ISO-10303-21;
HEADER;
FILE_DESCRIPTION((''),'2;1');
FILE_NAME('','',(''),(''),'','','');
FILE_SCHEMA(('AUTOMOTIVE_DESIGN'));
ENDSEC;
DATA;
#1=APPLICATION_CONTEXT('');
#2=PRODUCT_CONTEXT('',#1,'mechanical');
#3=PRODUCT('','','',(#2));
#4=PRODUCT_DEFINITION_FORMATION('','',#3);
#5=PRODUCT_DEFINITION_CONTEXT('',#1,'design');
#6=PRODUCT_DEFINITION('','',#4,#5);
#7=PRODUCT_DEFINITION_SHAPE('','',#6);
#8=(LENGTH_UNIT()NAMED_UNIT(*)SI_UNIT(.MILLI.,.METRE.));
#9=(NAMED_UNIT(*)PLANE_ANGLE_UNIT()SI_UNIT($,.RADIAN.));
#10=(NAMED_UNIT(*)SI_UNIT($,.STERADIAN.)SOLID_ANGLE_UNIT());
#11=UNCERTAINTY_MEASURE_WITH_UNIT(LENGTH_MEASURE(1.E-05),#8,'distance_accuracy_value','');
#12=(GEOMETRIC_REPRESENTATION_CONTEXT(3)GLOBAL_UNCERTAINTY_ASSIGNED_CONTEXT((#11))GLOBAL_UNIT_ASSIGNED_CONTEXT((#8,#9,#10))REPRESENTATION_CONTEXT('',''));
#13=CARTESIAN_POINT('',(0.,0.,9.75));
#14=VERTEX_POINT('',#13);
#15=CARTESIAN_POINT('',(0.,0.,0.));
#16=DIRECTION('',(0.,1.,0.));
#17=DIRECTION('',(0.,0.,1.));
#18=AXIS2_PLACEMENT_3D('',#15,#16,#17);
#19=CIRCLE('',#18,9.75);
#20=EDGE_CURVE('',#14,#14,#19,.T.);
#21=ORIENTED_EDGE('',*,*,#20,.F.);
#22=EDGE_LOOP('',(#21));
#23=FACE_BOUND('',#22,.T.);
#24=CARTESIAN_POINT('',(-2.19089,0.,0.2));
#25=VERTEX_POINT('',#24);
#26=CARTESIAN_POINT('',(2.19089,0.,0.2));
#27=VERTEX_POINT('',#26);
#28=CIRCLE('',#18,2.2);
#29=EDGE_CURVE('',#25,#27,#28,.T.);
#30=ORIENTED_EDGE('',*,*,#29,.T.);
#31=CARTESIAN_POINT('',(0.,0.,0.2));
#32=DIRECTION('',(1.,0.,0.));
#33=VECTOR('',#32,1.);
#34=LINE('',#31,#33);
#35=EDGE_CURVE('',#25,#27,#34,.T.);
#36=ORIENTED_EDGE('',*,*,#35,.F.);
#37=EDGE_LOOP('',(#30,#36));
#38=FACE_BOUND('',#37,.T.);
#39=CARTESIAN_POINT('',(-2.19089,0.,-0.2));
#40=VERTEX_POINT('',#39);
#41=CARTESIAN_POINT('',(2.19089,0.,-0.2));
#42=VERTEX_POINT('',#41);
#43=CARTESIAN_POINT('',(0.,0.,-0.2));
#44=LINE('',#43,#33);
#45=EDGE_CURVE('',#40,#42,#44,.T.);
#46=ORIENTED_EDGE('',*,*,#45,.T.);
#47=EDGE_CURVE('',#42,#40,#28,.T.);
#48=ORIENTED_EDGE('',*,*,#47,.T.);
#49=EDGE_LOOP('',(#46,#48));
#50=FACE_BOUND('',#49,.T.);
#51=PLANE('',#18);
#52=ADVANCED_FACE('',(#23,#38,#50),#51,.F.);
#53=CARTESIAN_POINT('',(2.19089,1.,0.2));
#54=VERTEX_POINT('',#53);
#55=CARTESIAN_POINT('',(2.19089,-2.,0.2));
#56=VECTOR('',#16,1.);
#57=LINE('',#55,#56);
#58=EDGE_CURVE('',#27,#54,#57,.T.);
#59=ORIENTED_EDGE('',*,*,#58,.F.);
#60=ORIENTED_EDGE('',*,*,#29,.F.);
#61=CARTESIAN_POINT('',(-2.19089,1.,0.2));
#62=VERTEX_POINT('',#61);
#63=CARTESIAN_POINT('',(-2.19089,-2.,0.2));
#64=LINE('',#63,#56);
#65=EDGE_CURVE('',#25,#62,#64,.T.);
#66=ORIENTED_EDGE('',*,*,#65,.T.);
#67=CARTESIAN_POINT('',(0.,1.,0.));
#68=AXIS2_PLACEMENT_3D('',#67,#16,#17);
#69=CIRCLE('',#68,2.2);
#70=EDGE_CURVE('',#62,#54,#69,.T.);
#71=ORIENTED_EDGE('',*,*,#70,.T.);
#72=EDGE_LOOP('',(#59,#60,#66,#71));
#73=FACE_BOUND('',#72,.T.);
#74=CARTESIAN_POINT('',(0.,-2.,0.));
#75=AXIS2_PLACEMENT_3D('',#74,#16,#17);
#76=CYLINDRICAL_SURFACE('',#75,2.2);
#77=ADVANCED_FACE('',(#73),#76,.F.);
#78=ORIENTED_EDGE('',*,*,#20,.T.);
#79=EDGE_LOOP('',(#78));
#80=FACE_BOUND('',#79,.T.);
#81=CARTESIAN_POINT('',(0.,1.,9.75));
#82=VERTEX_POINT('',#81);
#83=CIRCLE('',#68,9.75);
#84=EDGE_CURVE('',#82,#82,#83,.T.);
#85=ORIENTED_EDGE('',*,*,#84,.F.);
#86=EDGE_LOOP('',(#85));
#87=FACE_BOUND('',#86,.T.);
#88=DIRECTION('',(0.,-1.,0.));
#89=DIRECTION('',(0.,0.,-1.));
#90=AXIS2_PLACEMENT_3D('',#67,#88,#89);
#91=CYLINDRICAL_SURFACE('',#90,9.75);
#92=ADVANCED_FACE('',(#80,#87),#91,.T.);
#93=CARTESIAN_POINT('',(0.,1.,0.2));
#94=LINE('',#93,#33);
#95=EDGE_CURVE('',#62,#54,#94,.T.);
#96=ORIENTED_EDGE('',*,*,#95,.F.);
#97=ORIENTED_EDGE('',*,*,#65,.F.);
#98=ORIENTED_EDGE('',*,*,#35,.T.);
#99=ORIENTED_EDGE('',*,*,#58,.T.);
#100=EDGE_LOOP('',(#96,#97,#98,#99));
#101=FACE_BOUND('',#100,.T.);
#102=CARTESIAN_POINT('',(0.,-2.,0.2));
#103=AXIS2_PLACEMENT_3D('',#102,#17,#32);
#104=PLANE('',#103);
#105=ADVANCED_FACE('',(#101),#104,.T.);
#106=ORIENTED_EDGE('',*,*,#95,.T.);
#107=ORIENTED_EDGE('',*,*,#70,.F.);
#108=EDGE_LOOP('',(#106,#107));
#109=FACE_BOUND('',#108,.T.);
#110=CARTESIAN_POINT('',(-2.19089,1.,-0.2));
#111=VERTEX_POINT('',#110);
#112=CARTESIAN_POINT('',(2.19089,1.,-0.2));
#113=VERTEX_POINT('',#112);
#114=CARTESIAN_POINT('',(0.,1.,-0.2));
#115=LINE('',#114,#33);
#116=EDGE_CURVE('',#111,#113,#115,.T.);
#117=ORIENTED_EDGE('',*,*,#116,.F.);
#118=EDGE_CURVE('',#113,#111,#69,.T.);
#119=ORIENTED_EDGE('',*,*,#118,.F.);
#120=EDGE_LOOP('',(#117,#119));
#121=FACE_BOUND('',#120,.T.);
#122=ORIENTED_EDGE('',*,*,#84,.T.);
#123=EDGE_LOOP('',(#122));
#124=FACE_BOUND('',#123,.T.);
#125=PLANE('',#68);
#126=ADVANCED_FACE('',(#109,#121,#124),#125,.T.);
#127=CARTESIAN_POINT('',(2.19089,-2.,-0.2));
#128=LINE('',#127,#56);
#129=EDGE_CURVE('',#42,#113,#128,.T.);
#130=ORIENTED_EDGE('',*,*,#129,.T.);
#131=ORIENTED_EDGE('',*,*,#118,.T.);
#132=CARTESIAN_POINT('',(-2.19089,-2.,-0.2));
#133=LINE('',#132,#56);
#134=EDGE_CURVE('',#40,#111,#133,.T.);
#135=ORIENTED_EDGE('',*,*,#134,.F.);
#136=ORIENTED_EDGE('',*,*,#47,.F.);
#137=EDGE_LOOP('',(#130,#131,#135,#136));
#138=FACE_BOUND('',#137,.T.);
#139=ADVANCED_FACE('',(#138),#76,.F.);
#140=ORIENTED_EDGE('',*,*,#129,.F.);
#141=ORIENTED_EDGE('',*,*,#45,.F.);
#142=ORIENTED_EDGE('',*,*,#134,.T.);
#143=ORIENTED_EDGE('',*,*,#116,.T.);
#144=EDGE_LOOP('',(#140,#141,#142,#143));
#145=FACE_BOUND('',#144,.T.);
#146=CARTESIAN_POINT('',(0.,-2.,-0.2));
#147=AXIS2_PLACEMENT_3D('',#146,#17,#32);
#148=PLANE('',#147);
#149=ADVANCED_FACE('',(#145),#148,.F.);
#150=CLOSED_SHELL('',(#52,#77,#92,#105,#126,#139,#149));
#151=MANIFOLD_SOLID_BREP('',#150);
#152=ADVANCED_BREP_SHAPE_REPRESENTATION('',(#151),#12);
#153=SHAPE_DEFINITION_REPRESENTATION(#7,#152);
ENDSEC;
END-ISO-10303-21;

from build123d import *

# Parameters (mm, degrees)
SKETCH1_R           = 9.75
BOSS_EXTRUDE1_DEPTH = 1
CUT_EXTRUDE1_DEPTH  = 3


with BuildPart() as part:
    # Sketch1 → Boss-Extrude1 (new body)
    with BuildSketch(Plane(origin=(0, 0, 0), x_dir=(1, 0, 0), z_dir=(0, 1, 0))):
        with Locations(Location((0, 0, 0), (0, 0, 270))):
            Circle(SKETCH1_R)
    extrude(amount=BOSS_EXTRUDE1_DEPTH)

    # Sketch2 → Cut-Extrude1 (cut)
    with BuildSketch(Plane(origin=(0, 1, 0), x_dir=(1, 0, 0), z_dir=(0, 1, 0))):
        with BuildLine():
            Line((-2.19089023, 0.2), (0, 0.2))
            Line((0, 0.2), (2.19089023, 0.2))
            ThreePointArc((2.19089023, 0.2), (0, 2.2), (-2.19089023, 0.2))
        make_face()
        with BuildLine():
            Line((2.19089023, -0.2), (-2.19089023, -0.2))
            ThreePointArc((-2.19089023, -0.2), (0, -2.2), (2.19089023, -0.2))
        make_face()
    extrude(amount=-CUT_EXTRUDE1_DEPTH, mode=Mode.SUBTRACT)


solid = part.part
